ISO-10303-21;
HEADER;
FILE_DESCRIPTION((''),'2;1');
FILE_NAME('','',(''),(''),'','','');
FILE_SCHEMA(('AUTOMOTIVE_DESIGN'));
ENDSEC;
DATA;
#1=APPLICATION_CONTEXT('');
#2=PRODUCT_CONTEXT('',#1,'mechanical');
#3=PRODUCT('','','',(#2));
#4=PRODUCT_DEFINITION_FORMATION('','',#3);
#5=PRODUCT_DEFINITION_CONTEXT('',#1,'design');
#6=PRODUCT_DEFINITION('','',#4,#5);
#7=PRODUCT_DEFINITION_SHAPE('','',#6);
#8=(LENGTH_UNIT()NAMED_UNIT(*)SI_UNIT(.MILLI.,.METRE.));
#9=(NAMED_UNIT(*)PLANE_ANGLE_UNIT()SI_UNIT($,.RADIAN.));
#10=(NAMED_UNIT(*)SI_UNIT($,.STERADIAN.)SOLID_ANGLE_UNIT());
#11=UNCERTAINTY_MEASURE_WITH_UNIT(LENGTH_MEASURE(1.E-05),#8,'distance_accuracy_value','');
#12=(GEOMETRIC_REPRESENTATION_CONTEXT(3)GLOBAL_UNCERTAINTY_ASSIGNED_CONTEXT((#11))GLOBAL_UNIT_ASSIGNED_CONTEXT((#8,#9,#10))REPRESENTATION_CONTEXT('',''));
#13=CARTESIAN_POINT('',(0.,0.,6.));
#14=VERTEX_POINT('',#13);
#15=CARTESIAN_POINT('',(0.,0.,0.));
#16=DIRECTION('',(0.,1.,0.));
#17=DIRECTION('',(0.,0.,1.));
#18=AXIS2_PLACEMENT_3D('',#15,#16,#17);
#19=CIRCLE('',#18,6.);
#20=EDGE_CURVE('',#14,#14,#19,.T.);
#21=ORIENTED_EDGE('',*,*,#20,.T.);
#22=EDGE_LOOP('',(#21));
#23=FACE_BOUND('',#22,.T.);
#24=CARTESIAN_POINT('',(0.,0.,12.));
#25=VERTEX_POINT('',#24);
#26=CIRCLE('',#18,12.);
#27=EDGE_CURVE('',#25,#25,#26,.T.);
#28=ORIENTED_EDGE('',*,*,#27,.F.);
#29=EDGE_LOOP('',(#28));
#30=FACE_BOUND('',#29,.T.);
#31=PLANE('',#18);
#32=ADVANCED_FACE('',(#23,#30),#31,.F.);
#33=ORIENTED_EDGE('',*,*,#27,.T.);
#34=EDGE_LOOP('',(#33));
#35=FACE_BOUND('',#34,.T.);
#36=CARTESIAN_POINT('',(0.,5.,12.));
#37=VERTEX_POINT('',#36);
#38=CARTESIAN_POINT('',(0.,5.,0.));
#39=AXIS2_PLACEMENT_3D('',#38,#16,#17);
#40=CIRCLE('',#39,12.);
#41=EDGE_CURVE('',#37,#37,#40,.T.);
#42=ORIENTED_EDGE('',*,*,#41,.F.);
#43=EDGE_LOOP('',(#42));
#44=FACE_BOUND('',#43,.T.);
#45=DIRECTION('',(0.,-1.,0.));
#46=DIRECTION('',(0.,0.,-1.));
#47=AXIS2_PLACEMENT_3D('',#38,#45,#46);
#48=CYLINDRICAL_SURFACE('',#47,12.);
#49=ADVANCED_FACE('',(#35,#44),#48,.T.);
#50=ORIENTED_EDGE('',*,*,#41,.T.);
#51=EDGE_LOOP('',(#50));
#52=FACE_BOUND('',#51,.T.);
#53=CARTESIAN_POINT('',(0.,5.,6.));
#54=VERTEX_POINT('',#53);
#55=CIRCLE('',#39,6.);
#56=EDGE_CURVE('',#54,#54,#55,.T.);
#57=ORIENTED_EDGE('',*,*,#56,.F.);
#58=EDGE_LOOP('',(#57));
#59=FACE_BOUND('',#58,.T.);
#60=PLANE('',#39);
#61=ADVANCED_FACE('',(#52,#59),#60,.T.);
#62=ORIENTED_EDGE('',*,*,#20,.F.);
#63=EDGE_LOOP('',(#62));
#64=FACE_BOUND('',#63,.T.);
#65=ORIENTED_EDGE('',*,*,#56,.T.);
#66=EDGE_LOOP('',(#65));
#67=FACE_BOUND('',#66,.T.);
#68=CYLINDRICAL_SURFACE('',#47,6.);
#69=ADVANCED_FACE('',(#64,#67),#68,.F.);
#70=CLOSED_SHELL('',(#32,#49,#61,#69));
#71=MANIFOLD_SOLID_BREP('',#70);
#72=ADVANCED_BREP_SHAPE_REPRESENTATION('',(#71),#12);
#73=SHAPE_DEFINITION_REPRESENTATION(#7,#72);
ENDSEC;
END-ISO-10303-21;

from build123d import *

# Parameters (mm, degrees)
SKETCH1_R           = 12
SKETCH1_R_2         = 6
BOSS_EXTRUDE1_DEPTH = 5


with BuildPart() as part:
    # Sketch1 → Boss-Extrude1 (new body)
    with BuildSketch(Plane(origin=(0, 0, 0), x_dir=(1, 0, 0), z_dir=(0, 1, 0))):
        Circle(SKETCH1_R)
        Circle(SKETCH1_R_2, mode=Mode.SUBTRACT)
    extrude(amount=BOSS_EXTRUDE1_DEPTH)


solid = part.part
